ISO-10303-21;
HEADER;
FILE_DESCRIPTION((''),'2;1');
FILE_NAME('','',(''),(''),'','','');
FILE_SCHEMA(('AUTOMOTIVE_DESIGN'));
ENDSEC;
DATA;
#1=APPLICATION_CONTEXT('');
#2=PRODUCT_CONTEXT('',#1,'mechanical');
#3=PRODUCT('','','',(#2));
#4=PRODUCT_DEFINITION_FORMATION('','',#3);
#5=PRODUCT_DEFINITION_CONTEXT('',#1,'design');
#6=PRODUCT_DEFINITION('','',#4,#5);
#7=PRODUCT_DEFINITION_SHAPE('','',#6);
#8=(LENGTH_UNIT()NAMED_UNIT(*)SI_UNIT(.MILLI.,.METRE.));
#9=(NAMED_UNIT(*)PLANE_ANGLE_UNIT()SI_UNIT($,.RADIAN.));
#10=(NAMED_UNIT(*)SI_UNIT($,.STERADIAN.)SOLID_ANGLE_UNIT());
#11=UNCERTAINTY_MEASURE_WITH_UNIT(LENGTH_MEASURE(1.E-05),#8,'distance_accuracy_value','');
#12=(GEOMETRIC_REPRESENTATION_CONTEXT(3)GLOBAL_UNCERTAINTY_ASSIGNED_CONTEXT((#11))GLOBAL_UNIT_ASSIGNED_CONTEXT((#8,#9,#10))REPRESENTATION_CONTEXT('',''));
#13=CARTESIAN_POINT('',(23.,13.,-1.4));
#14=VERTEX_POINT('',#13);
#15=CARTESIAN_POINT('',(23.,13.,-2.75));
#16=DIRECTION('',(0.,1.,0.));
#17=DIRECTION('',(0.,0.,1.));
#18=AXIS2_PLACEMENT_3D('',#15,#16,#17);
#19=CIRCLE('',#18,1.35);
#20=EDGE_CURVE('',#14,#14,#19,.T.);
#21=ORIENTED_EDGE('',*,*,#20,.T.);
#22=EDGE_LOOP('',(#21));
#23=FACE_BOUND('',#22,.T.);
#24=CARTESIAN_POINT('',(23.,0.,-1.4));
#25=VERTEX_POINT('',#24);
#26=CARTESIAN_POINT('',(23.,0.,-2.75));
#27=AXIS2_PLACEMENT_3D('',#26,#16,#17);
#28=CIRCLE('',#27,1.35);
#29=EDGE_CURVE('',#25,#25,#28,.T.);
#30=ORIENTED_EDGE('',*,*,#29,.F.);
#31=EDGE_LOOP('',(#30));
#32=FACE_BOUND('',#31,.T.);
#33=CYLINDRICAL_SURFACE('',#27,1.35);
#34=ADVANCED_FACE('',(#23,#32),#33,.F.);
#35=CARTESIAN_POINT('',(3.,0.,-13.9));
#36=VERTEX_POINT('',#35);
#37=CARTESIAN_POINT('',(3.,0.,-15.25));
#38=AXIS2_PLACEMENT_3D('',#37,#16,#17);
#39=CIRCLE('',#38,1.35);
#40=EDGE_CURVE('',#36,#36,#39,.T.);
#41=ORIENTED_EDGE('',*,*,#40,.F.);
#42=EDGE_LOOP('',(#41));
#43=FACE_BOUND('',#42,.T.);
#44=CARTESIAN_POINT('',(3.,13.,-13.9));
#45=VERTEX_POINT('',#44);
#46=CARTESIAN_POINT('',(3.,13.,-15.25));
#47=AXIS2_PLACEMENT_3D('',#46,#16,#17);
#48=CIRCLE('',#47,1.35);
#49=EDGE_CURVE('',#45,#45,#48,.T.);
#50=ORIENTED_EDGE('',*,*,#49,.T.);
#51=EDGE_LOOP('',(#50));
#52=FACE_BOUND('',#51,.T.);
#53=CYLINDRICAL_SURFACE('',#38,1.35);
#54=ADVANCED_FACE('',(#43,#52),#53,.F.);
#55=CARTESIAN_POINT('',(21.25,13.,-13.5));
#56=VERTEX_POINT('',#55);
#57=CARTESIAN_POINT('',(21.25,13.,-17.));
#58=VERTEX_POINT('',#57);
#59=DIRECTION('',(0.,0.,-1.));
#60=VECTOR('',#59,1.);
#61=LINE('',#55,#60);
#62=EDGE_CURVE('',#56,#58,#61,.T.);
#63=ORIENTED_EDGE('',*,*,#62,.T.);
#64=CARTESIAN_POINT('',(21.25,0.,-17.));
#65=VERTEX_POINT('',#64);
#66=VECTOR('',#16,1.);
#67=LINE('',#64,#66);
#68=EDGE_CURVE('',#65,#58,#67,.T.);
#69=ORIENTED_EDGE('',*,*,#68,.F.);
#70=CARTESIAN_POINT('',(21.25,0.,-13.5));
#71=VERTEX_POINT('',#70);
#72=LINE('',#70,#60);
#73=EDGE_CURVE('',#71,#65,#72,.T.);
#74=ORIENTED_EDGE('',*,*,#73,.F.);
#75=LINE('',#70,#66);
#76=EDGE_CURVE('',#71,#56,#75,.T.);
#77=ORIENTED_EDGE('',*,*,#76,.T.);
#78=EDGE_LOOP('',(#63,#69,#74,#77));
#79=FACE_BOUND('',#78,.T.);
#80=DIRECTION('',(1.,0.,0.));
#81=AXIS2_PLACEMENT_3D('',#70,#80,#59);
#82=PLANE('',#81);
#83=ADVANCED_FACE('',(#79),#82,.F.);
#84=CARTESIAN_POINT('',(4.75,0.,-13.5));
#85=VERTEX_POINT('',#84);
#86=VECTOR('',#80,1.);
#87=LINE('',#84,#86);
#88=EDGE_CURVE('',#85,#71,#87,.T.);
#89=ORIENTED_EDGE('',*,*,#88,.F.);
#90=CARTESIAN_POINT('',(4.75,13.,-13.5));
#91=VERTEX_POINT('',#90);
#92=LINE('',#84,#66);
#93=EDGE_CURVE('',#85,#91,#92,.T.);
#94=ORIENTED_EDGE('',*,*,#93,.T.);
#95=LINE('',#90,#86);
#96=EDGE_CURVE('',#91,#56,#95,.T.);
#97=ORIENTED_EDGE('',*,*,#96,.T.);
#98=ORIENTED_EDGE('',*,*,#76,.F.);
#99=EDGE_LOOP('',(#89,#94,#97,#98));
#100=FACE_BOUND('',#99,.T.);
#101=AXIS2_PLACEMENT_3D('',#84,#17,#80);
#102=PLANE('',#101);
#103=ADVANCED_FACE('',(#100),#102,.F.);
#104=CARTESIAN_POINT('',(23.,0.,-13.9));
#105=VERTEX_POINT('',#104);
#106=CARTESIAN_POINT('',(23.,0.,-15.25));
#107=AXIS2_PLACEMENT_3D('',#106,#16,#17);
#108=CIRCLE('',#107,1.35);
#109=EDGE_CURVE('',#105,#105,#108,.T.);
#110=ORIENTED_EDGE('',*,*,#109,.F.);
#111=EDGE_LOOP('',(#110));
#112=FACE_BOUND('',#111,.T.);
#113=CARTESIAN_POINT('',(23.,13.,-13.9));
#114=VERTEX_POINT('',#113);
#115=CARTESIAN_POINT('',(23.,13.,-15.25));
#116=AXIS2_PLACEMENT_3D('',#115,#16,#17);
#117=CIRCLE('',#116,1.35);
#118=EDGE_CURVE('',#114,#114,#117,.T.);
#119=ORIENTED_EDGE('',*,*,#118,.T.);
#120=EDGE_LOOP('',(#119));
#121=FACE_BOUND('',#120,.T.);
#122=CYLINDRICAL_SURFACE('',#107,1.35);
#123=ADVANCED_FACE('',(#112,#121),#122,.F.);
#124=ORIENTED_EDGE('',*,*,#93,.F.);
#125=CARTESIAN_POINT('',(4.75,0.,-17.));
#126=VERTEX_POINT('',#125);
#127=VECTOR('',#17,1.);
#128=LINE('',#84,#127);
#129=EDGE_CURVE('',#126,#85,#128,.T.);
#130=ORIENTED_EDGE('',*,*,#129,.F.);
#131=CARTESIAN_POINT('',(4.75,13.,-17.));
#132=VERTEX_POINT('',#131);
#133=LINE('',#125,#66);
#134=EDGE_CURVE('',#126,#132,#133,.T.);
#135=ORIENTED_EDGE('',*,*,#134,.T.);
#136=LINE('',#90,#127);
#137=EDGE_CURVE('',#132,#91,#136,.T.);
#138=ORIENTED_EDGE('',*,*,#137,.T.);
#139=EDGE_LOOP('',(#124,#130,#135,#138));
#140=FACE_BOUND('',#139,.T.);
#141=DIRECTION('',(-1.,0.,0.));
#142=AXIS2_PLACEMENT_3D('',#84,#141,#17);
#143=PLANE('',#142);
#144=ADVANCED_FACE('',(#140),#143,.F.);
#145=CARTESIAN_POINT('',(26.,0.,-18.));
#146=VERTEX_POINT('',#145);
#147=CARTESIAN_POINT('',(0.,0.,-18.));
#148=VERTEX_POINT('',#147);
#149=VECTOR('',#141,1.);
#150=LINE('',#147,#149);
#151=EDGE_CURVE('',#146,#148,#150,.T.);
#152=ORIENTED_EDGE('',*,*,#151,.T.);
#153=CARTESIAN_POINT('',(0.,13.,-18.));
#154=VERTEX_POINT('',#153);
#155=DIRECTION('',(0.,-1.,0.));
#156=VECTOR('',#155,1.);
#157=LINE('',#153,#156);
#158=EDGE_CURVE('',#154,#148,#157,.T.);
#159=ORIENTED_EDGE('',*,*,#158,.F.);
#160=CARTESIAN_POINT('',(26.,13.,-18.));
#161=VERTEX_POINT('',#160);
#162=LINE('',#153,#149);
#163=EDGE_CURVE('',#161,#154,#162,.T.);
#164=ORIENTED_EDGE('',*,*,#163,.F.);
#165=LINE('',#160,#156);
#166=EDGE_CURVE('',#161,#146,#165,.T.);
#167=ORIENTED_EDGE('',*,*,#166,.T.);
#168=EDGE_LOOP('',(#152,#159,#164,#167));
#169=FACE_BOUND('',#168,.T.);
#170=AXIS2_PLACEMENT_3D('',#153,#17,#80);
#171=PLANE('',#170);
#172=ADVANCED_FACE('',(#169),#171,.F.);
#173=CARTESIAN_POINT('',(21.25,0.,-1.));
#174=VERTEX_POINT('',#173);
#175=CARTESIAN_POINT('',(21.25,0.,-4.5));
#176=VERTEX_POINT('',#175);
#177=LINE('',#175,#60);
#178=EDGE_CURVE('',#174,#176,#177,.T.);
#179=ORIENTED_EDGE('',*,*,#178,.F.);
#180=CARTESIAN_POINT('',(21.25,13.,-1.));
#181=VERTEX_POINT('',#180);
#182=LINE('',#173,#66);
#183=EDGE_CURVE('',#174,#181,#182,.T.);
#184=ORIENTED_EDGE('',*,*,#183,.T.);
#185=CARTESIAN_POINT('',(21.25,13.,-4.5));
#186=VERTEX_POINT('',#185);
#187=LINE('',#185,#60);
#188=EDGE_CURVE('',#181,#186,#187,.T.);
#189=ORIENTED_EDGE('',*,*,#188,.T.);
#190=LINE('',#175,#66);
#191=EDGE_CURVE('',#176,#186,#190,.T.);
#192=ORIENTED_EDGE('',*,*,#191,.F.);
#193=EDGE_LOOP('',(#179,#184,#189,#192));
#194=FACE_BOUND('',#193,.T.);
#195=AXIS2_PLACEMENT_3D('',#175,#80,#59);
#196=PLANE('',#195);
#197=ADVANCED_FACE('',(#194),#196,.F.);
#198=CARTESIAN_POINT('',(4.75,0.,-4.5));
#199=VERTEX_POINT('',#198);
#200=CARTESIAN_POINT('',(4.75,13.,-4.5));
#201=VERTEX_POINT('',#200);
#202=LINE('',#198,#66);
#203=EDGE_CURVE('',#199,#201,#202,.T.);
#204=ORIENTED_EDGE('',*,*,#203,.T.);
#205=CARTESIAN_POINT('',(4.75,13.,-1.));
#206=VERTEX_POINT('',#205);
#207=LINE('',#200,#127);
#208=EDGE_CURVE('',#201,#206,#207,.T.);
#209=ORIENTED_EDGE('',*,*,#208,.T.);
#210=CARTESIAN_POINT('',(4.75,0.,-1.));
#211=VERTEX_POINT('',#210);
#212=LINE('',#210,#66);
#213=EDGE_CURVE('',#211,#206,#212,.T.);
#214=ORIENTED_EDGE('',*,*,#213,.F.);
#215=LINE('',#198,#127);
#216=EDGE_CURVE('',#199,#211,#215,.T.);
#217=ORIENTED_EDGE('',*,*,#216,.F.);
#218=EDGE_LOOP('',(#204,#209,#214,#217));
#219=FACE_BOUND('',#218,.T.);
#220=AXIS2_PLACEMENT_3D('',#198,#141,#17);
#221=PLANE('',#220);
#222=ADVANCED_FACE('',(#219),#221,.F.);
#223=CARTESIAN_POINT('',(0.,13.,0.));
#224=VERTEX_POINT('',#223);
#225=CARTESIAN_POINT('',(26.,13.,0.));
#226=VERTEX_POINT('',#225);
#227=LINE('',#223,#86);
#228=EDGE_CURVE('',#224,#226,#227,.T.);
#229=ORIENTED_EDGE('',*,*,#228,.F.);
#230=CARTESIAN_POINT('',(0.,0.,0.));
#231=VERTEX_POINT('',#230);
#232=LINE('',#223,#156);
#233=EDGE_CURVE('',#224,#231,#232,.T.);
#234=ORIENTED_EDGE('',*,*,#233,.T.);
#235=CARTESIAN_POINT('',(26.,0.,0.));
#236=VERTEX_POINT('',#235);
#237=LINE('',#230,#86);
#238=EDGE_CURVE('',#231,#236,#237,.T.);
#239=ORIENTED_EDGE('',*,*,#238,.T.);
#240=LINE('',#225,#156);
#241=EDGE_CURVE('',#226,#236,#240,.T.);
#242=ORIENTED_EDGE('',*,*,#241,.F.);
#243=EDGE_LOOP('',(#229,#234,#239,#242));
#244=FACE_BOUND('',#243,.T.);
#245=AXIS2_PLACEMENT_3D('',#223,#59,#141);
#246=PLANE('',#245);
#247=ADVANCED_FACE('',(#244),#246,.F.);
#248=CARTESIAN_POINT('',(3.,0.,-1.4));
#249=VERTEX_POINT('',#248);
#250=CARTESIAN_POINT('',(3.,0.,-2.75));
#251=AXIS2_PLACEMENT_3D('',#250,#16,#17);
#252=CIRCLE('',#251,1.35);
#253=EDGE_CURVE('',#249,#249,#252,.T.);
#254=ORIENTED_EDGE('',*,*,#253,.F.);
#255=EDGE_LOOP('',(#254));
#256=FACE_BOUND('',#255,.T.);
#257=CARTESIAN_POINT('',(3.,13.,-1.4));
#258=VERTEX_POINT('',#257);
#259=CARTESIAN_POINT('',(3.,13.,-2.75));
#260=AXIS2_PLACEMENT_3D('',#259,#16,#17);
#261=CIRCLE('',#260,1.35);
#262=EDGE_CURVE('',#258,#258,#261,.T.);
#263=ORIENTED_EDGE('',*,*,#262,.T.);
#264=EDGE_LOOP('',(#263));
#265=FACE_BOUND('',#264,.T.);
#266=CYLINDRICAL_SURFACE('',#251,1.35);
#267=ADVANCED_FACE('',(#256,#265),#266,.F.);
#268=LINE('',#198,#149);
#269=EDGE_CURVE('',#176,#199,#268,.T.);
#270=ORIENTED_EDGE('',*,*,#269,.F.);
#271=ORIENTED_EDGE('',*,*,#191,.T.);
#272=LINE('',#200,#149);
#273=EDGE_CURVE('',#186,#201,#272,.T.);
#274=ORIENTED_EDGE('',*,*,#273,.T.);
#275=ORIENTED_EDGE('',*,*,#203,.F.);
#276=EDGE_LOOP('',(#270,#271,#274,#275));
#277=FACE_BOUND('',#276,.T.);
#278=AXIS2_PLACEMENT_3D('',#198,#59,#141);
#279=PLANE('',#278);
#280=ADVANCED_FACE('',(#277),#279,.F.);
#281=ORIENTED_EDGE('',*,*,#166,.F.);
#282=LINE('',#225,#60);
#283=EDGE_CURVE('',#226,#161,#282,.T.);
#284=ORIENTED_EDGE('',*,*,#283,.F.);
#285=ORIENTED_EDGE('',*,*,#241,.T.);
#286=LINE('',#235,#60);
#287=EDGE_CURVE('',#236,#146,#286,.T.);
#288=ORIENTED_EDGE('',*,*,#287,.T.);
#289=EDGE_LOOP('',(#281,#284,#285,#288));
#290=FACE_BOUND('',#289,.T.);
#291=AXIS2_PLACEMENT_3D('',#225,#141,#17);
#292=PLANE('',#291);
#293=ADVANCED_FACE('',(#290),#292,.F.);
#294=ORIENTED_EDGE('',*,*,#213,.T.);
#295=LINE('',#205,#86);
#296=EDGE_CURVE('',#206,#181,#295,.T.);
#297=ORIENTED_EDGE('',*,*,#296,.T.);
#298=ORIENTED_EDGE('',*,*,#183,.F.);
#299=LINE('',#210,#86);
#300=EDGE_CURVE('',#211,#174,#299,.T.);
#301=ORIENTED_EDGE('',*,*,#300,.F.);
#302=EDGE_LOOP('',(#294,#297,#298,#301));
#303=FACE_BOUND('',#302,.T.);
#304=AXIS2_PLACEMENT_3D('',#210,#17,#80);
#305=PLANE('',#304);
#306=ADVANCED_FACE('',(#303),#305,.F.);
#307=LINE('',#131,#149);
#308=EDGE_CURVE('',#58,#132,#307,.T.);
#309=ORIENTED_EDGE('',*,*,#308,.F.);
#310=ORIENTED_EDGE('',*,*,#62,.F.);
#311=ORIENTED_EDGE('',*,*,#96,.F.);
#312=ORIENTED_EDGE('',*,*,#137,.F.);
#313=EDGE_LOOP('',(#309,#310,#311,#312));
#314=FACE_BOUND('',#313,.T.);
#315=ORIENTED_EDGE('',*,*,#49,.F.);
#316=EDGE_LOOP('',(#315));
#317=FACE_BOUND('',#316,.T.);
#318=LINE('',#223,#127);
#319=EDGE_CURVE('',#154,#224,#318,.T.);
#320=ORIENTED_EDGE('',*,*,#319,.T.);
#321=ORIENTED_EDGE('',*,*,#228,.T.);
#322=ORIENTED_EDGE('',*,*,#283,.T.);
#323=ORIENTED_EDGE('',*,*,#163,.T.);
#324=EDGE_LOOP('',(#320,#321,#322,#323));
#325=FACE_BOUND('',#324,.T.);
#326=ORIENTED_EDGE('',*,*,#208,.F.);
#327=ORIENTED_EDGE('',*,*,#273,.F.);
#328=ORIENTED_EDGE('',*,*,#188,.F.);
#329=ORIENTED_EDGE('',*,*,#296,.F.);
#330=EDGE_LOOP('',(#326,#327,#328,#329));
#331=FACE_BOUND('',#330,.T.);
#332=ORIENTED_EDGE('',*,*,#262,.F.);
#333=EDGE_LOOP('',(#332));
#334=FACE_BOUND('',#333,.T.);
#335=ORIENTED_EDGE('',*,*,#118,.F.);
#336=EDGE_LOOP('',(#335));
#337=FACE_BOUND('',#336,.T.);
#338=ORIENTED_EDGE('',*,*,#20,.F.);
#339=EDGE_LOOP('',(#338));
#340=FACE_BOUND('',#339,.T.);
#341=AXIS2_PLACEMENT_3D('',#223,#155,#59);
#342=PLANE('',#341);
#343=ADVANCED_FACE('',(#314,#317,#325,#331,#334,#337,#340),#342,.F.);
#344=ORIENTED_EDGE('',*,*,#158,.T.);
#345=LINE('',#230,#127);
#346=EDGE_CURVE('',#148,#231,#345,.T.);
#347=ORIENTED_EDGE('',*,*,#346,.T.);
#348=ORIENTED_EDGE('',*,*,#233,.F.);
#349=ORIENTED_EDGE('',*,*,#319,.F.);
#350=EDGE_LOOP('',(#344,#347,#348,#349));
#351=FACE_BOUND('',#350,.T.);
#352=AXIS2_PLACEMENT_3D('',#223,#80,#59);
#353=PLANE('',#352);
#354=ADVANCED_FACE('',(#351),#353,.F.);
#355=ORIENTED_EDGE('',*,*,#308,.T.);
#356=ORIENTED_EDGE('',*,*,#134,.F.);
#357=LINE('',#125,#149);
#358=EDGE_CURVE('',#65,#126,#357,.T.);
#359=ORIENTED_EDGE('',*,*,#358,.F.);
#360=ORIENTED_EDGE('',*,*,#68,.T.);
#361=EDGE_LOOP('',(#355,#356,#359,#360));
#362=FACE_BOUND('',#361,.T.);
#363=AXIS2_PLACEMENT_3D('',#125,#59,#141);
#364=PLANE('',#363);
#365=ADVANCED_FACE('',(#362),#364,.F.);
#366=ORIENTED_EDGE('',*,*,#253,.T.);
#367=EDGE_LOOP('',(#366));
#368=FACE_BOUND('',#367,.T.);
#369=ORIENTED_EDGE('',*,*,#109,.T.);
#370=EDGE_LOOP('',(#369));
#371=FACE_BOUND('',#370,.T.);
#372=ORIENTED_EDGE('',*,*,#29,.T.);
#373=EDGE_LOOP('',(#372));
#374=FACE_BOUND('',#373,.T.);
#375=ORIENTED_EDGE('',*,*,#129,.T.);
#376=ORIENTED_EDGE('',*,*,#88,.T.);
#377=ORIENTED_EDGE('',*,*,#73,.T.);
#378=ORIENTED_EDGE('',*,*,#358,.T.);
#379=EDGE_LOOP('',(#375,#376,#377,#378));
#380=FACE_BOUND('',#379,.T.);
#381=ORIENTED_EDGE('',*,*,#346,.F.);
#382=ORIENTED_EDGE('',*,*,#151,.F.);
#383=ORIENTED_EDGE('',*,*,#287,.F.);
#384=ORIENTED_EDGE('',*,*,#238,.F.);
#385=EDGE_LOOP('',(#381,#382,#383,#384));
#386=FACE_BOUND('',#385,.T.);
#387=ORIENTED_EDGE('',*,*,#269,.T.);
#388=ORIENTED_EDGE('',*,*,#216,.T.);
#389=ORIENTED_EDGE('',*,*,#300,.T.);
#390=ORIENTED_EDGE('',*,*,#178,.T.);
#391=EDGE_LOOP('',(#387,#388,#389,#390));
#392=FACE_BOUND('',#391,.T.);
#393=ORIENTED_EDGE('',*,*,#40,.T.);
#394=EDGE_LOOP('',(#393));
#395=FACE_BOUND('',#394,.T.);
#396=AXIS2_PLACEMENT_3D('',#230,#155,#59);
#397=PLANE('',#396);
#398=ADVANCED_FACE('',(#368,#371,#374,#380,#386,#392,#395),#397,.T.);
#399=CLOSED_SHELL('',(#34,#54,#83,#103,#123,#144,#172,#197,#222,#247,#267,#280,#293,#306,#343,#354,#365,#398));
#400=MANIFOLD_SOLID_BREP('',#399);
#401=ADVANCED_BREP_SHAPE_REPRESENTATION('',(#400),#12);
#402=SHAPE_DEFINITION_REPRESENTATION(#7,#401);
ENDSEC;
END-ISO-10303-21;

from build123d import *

# Parameters (mm, degrees)
SKETCH1_W           = 26
SKETCH1_H           = 18
BOSS_EXTRUDE1_DEPTH = 13
SKETCH2_R           = 1.35
SKETCH2_W           = 16.5
SKETCH2_H           = 3.5
CUT_EXTRUDE1_DEPTH  = 14


with BuildPart() as part:
    # Sketch1 → Boss-Extrude1 (new body)
    with BuildSketch(Plane(origin=(0, 0, 0), x_dir=(1, 0, 0), z_dir=(0, 1, 0))):
        with Locations((13, 9)):
            Rectangle(SKETCH1_W, SKETCH1_H)
    extrude(amount=BOSS_EXTRUDE1_DEPTH)

    # Sketch2 → Cut-Extrude1 (cut, through all)
    with BuildSketch(Plane(origin=(0, 13, 0), x_dir=(1, 0, 0), z_dir=(0, 1, 0))):
        with Locations((3, 15.25)):
            Circle(SKETCH2_R)
        with Locations((23, 15.25)):
            Circle(SKETCH2_R)
        with Locations((3, 2.75)):
            Circle(SKETCH2_R)
        with Locations((23, 2.75)):
            Circle(SKETCH2_R)
        with Locations((13, 15.25)):
            Rectangle(SKETCH2_W, SKETCH2_H)
        with Locations((13, 2.75)):
            Rectangle(SKETCH2_W, SKETCH2_H)
    extrude(amount=-CUT_EXTRUDE1_DEPTH, mode=Mode.SUBTRACT)


solid = part.part
